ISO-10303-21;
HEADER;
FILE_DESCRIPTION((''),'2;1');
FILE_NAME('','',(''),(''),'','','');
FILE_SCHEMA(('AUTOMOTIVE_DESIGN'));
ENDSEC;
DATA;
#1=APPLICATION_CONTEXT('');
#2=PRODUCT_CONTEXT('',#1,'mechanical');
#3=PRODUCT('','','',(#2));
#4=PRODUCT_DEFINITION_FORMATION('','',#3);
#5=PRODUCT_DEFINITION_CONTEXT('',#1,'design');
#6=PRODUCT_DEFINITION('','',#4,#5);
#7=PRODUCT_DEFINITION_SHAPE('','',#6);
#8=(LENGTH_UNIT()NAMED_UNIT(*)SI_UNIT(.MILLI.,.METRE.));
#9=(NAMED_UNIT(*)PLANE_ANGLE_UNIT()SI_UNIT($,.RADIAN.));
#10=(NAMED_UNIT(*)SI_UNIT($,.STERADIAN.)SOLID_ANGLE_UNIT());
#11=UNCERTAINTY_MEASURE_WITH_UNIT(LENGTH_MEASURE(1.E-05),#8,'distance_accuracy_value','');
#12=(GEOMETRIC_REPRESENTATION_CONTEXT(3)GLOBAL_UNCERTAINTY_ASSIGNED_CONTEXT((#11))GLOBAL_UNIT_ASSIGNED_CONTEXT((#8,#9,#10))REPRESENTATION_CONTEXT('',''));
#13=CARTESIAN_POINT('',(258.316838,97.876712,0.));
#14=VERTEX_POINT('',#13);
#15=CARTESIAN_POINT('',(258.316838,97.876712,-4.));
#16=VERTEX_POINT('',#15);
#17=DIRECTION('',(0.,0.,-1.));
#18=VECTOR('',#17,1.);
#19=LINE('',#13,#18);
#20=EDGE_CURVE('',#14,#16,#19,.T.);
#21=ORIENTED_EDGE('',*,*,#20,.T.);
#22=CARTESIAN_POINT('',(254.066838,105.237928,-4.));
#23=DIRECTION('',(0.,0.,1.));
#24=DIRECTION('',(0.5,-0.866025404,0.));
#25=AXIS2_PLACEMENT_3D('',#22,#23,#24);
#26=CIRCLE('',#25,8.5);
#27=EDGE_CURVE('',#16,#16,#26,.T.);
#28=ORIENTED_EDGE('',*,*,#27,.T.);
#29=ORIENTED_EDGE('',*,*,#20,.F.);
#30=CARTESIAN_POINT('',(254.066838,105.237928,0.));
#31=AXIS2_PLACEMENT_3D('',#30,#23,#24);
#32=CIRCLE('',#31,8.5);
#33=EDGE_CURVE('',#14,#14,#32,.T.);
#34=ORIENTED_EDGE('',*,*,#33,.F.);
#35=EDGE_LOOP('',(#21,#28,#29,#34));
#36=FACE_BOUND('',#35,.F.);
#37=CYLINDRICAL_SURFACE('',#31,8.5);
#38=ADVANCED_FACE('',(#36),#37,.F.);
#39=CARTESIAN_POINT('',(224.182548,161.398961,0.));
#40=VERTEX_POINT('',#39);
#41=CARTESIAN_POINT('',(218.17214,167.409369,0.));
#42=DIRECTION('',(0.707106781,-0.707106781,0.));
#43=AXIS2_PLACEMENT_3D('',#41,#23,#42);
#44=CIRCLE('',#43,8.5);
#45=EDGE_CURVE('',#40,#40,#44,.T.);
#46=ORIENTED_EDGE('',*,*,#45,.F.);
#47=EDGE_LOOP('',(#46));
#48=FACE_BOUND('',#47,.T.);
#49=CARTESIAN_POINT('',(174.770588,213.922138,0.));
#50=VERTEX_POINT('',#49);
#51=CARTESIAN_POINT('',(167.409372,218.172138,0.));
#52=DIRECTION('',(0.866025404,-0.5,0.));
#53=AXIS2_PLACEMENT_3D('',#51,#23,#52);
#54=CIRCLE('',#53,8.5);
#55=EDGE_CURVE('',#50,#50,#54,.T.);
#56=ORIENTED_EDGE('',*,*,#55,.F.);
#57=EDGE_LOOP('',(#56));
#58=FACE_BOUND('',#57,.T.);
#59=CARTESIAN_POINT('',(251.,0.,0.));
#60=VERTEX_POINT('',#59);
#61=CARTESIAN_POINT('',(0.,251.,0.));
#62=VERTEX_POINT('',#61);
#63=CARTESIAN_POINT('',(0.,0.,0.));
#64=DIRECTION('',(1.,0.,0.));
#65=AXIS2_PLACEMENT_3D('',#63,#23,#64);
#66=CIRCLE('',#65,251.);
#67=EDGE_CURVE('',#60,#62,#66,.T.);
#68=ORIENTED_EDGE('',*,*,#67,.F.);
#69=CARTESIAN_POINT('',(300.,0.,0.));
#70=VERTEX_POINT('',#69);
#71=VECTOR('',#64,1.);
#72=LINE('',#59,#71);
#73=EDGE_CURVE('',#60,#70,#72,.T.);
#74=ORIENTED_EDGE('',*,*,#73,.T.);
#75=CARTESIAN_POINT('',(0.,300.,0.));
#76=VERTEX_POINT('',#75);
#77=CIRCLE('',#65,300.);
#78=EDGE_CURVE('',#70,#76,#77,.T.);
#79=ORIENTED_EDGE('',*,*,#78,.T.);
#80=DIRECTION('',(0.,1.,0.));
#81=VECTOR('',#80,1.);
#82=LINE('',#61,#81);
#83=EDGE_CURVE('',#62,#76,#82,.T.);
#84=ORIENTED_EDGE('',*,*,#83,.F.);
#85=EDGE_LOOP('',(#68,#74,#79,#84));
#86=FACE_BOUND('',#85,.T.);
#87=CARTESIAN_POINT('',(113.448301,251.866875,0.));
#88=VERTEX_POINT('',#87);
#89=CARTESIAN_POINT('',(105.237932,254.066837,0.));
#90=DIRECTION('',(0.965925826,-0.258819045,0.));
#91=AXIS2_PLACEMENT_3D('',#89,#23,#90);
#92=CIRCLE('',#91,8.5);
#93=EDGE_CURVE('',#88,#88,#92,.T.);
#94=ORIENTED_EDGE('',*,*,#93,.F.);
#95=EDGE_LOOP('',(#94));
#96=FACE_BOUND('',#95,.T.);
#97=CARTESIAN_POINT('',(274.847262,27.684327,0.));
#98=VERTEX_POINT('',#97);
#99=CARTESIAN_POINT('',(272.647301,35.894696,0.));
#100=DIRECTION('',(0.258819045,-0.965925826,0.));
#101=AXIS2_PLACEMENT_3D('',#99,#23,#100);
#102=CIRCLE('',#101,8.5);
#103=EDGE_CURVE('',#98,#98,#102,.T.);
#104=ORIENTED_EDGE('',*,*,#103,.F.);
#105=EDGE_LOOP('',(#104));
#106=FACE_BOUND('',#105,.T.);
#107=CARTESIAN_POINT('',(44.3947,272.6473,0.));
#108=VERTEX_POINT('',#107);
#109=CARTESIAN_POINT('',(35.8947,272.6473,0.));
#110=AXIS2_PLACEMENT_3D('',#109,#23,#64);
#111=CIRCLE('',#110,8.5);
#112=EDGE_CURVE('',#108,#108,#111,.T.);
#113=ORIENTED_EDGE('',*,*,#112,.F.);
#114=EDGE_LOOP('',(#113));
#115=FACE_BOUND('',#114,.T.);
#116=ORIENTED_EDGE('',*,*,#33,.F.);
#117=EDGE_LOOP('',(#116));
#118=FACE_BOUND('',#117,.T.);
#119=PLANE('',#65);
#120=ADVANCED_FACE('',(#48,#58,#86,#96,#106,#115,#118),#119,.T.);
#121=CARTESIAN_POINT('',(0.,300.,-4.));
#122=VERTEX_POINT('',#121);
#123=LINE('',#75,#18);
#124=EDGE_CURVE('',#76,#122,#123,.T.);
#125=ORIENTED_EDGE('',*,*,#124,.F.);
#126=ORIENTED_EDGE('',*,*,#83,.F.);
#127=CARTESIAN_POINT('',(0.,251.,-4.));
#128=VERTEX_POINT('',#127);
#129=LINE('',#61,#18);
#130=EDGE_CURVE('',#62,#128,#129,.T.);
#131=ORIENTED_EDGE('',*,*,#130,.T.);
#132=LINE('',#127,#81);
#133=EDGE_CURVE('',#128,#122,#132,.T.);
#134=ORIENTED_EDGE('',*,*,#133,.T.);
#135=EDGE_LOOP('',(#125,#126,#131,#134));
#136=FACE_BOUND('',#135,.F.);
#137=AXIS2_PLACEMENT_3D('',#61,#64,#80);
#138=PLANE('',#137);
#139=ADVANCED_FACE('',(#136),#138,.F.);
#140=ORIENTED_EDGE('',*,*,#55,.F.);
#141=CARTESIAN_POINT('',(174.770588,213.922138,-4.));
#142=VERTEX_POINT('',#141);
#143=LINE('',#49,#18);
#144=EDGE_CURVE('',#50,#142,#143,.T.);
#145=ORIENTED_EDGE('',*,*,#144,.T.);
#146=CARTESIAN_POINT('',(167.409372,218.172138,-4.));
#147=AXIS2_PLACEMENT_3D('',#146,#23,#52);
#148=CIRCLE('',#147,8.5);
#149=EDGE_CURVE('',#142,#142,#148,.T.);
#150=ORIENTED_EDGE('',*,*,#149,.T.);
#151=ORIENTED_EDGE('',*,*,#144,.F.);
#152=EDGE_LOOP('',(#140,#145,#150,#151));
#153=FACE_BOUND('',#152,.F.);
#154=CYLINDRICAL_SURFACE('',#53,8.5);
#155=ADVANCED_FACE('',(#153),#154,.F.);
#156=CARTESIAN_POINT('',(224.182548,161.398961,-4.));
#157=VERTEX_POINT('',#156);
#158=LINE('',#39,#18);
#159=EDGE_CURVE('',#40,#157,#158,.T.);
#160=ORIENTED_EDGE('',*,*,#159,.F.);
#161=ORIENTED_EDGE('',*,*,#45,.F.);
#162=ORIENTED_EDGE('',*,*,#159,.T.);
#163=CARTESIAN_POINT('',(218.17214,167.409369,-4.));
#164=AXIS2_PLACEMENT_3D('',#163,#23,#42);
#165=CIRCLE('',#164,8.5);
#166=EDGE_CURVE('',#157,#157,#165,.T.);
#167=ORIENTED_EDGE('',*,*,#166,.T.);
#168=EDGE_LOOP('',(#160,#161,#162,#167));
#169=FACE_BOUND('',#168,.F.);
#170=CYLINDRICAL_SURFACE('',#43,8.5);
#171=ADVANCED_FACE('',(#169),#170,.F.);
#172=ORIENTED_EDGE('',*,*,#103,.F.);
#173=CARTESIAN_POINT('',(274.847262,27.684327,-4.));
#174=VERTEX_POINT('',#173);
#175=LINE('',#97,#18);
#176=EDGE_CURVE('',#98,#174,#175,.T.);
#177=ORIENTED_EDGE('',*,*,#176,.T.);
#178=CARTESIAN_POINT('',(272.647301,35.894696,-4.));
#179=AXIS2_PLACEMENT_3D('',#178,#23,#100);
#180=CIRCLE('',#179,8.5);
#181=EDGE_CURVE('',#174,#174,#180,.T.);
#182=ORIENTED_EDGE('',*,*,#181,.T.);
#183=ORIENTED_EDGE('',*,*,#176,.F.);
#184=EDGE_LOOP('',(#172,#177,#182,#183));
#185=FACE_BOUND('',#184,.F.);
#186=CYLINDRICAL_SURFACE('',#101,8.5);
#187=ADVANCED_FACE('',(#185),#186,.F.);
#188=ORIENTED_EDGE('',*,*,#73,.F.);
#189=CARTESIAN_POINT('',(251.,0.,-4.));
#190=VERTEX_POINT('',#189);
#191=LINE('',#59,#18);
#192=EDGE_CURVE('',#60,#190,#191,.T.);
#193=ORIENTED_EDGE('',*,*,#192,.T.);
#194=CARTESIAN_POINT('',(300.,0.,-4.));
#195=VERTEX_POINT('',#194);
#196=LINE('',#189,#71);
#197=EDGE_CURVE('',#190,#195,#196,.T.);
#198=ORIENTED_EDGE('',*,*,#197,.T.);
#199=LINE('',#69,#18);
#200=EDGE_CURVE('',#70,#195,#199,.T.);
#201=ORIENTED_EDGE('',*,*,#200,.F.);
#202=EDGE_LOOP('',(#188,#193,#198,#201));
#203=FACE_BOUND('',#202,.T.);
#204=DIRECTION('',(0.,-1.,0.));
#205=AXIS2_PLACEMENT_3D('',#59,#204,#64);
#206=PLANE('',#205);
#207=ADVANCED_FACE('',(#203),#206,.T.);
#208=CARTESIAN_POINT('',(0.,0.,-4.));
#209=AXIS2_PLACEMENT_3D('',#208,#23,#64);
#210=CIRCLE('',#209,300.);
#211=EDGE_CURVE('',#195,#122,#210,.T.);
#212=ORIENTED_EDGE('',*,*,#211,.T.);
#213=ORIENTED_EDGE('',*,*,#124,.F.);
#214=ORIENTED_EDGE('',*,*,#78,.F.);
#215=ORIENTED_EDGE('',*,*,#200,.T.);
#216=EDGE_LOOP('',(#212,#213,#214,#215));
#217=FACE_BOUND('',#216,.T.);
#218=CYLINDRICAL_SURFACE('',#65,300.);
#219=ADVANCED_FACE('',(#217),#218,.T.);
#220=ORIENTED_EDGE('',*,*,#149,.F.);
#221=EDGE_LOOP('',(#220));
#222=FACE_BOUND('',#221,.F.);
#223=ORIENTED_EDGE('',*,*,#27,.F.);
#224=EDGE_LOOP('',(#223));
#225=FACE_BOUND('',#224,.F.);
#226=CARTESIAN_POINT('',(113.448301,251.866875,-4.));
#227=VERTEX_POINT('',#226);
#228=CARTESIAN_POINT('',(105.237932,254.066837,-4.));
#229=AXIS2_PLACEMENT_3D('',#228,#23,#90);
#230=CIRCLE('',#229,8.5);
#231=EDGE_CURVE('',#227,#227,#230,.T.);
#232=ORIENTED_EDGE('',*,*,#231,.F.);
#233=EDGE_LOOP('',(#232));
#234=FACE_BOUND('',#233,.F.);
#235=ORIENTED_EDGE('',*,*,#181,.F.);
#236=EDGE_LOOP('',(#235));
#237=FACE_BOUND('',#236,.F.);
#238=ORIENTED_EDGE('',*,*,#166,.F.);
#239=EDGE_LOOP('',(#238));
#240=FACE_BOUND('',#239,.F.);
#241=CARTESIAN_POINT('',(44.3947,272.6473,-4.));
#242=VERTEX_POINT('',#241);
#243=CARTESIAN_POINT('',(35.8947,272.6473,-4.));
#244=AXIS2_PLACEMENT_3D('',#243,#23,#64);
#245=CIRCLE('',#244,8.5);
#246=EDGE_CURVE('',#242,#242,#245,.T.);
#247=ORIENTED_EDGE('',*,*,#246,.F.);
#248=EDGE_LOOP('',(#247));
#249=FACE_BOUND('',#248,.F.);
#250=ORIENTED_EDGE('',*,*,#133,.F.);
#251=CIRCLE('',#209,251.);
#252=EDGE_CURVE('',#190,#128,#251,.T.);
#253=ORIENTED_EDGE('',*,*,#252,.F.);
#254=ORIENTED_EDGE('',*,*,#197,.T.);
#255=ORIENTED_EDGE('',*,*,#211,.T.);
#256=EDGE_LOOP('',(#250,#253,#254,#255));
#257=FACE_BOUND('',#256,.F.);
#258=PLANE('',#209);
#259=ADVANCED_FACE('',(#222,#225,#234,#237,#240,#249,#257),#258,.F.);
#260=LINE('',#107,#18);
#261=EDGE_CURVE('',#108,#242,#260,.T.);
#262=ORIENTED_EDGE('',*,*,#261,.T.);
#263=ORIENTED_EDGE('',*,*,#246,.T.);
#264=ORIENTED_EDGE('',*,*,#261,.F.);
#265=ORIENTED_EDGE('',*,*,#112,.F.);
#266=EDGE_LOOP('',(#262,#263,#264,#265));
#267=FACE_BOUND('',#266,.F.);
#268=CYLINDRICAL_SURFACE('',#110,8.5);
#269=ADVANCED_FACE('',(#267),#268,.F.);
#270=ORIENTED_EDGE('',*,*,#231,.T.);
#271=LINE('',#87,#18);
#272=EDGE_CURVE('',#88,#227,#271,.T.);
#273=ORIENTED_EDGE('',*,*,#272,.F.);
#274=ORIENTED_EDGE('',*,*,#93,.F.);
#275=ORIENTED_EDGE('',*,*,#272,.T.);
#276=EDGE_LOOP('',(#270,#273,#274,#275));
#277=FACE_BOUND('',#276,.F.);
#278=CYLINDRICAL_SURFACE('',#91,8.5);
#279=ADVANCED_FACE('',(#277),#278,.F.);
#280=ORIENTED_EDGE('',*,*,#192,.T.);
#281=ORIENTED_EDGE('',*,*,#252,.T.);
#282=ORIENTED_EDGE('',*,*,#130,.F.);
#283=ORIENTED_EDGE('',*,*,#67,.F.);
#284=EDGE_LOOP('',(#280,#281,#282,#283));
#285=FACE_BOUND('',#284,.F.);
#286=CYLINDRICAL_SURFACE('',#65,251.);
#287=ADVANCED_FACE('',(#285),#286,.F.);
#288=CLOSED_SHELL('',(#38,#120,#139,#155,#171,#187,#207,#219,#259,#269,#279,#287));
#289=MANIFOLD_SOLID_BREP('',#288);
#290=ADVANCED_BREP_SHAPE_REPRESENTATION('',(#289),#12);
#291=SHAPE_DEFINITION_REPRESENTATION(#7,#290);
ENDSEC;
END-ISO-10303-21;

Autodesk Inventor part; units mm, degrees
ref_plane "YZ Plane" through (0, 0, 0) normal (1, 0, 0) x (0, 1, 0)
ref_plane "XZ Plane" through (0, 0, 0) normal (0, 1, 0) x (-1, 0, 0)
ref_plane "XY Plane" through (0, 0, 0) normal (0, 0, 1) x (1, 0, 0)
sketch "Sketch1" plane through (0, 0, 0) normal (0, 0, 1) x (1, 0, 0)
  arc A0 (251, 0) -> (0, 251) centre (0, 0) ccw
  arc A1 (0, 300) -> (300, 0) centre (0, 0) ccw construction
  circle A2 centre (0, 0) radius 320 construction
  line L0 (0, 0) -> (0, 251) construction
  line L1 (0, 0) -> (251, 0) construction
  arc A3 (300, 0) -> (0, 300) centre (0, 0) ccw
  line L2 (0, 251) -> (0, 300)
  arc A4 (0, 251) -> (251, 0) centre (0, 0) ccw construction
  line L3 (251, 0) -> (300, 0)
  dimension "d0" = 502
  dimension "d1" = 600
  dimension "d2" = 640
extrude "Plate1" add sketch "Sketch1" against normal blind 4
sketch "Sketch3" plane through (0, 0, 0) normal (0, 0, 1) x (1, 0, 0)
  circle A0 centre (0, 0) radius 275 construction
  line L0 (0, 0) -> (0, 300) construction
  arc A1 (300, 0) -> (0, 300) centre (0, 0) ccw projected
  line L1 (0, 0) -> (39.1579, 297.4335) construction
  circle A2 centre (35.8947, 272.6473) radius 8.5
  dimension "d12" = 550
  dimension "d13" = 7.5
  dimension "d14" = 17
extrude "Extrusion2" cut sketch "Sketch3" against normal through all
pattern_circular "Circular Pattern1" count 6 over 75 about axis through (0, 0, -10) along (0, 0, -1) of "Extrusion2"
equation "\"d5\" = Thickness"
equation "\"BendReliefWidth\" = Thickness"
equation "\"BendReliefDepth\" = 0.5 * Thickness"
equation "\"CornerReliefSize\" = 4 * Thickness"
equation "\"MinimumRemnant\" = 2 * Thickness"
equation "\"TransitionRadius\" = BendRadius"
equation "\"JacobiRadiusSize\" = BendRadius"
equation "\"GapSize\" = Thickness"
equation "\"Thickness\" = 4"
equation "\"BendRadius\" = 6"
properties part number "MSC 403 FLANGE 500" material "Stainless Steel"
